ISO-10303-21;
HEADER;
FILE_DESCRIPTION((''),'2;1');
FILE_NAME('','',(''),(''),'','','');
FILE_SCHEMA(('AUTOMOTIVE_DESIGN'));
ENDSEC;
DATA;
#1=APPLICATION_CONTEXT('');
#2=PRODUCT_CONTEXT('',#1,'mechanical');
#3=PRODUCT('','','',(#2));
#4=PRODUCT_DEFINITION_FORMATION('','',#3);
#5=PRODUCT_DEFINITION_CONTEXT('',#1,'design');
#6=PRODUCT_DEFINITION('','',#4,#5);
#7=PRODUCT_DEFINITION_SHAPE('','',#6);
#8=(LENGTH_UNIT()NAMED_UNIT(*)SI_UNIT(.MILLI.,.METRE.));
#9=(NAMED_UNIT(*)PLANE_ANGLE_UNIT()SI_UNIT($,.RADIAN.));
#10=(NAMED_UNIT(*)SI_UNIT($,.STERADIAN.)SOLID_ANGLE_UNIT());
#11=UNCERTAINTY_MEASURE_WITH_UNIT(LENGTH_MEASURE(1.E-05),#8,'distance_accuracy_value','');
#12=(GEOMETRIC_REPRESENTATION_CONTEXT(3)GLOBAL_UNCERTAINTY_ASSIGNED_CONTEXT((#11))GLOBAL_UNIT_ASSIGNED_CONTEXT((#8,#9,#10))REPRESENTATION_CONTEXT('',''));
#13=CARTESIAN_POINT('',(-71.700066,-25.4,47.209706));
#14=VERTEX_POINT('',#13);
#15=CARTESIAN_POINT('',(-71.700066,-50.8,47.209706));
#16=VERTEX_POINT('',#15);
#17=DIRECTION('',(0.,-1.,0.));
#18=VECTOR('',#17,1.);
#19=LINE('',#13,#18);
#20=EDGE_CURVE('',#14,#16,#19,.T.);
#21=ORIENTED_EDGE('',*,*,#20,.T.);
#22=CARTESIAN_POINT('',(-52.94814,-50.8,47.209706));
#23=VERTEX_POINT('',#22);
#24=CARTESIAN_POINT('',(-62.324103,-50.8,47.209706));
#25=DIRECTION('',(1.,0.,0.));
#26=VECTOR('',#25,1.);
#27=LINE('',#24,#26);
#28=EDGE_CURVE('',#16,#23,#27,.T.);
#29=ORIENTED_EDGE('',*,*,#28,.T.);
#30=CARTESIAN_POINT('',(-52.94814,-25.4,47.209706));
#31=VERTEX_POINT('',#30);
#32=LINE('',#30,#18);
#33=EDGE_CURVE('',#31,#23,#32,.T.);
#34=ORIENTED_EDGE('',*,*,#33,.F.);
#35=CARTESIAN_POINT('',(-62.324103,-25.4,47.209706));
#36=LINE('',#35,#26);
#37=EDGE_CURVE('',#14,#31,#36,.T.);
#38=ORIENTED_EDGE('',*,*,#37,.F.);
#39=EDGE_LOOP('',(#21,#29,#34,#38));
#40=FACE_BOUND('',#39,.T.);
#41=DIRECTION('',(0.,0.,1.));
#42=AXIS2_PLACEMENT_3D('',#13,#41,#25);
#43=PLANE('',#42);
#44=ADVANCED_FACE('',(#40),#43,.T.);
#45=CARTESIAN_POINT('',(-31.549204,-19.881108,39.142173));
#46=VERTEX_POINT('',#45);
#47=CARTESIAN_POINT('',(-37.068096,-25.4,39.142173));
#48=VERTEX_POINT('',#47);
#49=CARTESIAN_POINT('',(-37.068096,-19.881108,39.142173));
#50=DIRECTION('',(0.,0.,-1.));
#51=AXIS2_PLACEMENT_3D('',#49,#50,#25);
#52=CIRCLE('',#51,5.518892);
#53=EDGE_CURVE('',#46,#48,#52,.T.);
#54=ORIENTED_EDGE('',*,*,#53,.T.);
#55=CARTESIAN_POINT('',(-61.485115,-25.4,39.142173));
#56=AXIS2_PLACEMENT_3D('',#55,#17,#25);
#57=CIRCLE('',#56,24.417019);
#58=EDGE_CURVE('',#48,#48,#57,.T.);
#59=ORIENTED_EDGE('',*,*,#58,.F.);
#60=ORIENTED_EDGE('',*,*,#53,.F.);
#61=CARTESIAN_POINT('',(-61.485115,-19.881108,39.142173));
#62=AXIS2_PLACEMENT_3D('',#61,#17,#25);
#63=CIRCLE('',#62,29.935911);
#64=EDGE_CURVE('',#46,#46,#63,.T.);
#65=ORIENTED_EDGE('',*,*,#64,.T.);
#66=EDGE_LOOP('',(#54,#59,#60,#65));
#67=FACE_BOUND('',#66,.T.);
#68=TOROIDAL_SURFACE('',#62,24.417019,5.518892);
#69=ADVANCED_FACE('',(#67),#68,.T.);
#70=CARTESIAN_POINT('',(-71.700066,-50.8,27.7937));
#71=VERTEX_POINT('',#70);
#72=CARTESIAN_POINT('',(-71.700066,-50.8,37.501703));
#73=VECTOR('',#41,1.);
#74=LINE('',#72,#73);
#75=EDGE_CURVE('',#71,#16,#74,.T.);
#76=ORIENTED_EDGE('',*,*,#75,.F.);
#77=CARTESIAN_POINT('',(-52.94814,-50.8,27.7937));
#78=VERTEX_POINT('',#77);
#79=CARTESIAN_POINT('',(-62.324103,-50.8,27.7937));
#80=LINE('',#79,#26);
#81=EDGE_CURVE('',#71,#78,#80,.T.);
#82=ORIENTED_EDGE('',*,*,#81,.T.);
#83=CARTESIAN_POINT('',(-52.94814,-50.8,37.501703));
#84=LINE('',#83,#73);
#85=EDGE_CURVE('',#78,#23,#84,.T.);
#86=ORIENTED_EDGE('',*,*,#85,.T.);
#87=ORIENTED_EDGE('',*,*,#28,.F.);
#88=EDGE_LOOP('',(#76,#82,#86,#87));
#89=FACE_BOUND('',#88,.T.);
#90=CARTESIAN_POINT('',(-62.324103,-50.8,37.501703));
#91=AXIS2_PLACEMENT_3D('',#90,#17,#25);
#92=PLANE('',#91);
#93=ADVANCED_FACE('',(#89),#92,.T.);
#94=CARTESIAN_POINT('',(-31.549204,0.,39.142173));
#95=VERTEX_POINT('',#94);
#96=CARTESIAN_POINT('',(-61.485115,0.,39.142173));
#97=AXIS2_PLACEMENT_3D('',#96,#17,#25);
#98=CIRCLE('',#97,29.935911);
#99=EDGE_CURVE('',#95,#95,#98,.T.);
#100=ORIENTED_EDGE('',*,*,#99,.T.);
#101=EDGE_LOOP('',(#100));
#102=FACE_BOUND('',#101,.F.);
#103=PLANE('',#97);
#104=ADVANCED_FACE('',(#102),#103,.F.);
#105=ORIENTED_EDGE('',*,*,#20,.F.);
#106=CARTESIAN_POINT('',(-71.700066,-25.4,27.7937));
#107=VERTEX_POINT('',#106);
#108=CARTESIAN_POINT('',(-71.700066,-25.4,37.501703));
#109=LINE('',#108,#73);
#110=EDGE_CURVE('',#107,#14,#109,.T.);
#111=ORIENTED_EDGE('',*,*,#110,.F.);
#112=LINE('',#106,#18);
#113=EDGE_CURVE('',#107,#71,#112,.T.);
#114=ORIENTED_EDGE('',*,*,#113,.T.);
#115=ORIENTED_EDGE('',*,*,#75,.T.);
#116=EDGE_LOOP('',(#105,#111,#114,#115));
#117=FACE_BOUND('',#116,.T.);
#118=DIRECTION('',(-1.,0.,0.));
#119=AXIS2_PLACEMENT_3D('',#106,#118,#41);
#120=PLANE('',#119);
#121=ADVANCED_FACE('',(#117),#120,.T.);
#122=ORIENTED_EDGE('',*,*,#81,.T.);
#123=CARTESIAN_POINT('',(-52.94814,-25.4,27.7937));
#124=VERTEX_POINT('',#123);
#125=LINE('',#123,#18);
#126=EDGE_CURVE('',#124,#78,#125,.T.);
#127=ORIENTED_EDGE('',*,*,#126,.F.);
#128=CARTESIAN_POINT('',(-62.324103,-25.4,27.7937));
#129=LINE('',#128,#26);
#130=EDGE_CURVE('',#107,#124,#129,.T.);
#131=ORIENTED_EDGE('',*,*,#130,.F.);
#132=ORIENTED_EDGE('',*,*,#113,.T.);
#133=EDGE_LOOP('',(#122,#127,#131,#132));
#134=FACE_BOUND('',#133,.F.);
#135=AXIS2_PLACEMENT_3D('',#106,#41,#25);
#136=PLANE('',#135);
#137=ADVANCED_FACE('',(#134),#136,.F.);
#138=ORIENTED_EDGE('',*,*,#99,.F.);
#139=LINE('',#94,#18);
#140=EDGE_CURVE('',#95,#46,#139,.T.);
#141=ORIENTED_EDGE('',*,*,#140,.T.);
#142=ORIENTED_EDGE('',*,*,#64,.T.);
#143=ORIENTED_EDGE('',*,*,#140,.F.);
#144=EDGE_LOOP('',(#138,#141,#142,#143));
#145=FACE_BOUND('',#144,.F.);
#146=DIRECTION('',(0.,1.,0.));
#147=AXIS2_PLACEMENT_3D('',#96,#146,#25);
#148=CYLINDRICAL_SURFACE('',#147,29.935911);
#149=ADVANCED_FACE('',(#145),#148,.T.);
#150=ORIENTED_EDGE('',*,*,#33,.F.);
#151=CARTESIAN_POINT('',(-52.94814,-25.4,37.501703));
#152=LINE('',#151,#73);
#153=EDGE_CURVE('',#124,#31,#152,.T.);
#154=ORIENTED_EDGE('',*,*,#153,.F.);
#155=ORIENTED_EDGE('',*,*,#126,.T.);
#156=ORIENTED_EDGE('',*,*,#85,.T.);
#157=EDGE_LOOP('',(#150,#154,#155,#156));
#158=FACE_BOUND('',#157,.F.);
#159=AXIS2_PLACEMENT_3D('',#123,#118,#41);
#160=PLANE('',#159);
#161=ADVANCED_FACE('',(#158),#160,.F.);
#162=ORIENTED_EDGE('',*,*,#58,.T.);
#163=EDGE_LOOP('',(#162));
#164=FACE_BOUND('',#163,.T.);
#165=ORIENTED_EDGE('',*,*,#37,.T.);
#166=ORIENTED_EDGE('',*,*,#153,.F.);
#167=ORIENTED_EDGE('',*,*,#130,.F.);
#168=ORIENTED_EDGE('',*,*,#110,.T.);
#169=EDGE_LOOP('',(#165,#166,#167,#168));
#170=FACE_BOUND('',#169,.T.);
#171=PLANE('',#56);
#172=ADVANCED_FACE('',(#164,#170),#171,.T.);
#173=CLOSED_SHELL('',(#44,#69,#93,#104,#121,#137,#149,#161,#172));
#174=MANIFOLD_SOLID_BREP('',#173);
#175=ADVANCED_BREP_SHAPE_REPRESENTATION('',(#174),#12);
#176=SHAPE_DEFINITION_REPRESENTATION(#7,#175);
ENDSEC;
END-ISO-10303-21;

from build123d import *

# Parameters (mm, degrees)
F0_R     = 29.935911
F1_DEPTH = 25.4
F2_R     = 5.518892
F3_W     = 18.751926
F3_H     = 19.416006
F4_DEPTH = 25.4


with BuildPart() as f1:
    # F0 (on Front) → F1 (new body)
    with BuildSketch(Plane.XZ):
        with Locations((-61.485115, 39.142173)):
            Circle(F0_R)
    extrude(amount=F1_DEPTH)

    # F2
    f2_edges = [f1.edges().sort_by_distance(p)[0] for p in [
        (-91.421026, -25.4, 39.142173),
    ]]
    fillet(f2_edges, radius=F2_R)

    # F3 (on face) → F4 (join)
    with BuildSketch(Plane.XZ.offset(25.4)):
        with Locations((-62.324103, 37.501703)):
            Rectangle(F3_W, F3_H)
    extrude(amount=F4_DEPTH)


solid = f1.part
